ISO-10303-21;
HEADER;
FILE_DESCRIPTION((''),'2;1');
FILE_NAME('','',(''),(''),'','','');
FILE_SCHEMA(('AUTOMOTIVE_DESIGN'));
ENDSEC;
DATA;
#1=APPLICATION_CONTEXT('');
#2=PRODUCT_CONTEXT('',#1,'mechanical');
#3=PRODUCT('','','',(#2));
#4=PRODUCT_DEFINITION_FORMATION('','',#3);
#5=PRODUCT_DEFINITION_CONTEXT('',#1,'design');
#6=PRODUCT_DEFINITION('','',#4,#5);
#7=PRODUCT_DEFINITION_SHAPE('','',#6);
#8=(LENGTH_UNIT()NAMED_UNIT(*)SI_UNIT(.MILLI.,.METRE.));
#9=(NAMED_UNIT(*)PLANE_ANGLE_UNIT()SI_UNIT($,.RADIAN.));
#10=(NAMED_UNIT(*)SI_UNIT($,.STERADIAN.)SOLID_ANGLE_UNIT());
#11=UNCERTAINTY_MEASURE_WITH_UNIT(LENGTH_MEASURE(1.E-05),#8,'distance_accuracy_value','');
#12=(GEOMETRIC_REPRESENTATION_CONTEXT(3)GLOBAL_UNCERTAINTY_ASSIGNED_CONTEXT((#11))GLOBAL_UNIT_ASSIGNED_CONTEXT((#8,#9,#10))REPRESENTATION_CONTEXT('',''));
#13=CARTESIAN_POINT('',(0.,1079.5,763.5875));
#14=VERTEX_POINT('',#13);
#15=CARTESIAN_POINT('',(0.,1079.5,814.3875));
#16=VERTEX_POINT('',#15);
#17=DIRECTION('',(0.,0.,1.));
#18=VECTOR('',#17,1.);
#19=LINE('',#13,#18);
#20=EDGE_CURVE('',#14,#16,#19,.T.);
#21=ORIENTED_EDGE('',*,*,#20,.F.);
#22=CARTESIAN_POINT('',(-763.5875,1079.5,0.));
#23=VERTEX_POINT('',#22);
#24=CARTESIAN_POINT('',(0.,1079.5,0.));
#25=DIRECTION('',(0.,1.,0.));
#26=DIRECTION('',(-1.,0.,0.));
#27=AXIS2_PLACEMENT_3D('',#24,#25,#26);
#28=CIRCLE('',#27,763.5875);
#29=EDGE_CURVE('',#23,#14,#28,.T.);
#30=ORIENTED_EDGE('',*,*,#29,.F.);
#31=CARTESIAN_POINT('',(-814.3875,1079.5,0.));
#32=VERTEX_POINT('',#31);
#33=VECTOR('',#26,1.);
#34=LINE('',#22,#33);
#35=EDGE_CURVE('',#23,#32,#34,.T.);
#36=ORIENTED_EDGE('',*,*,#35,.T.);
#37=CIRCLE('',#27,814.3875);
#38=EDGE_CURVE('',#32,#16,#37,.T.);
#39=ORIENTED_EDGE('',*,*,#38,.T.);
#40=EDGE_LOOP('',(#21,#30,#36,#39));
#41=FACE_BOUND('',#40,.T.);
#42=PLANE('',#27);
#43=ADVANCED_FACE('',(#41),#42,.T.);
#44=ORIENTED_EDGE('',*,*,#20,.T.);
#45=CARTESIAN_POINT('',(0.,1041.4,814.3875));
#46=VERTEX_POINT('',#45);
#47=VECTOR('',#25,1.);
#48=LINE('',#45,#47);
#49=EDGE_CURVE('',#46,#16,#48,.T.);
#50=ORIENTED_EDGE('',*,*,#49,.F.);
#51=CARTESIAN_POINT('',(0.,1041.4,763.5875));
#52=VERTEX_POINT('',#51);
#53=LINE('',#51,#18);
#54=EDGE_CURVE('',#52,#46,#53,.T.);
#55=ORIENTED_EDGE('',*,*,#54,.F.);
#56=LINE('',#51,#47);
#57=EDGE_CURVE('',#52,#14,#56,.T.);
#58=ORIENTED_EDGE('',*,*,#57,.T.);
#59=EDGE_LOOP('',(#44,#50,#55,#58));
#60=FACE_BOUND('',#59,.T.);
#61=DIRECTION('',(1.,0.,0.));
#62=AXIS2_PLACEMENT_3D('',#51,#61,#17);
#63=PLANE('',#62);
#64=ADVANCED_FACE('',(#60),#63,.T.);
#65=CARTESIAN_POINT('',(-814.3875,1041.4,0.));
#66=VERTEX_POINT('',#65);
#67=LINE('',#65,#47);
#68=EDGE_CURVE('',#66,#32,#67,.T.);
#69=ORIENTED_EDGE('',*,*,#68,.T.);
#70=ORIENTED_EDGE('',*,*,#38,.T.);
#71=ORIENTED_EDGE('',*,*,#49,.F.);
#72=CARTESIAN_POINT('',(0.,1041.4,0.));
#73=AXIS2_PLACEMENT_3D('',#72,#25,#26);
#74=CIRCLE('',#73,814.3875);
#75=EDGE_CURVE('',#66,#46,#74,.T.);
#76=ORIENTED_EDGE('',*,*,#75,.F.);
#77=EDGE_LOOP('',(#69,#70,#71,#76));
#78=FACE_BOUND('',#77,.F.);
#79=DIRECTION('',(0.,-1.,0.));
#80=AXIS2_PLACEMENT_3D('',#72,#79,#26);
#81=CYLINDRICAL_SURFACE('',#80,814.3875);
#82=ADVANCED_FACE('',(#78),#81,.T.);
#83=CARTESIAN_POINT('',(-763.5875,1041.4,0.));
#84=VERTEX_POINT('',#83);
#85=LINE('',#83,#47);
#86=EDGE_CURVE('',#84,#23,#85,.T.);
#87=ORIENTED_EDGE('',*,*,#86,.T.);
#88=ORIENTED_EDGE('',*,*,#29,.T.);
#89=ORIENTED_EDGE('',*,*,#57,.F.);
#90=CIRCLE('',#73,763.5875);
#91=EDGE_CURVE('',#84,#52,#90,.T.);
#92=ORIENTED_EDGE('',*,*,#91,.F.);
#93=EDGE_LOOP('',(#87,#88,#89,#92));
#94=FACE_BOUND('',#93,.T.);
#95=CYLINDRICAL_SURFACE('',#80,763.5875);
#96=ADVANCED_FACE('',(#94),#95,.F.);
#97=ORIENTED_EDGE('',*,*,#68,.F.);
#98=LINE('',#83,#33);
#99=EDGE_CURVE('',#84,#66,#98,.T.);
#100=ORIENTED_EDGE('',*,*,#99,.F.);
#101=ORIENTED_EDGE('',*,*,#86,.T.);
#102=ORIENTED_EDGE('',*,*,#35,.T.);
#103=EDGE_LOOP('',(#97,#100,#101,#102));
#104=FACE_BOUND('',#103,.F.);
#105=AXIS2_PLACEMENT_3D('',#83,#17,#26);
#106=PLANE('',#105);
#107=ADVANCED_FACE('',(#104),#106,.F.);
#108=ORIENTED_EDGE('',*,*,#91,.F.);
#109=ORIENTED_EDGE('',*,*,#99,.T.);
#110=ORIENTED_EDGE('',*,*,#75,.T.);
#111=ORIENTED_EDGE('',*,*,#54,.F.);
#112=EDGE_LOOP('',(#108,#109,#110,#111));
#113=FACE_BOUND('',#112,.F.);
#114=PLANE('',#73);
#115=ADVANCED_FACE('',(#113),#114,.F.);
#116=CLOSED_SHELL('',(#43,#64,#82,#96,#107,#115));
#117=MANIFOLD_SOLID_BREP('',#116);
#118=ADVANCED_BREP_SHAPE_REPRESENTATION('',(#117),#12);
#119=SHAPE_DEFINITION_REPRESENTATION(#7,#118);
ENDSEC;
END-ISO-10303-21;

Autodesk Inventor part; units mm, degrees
ref_plane "YZ Plane" through (0, 0, 0) normal (1, 0, 0) x (0, 1, 0)
ref_plane "XY Plane" through (0, 0, 0) normal (0, 0, 1) x (1, 0, 0)
ref_plane "Work Plane2" through (0, 1041.4, 0) normal (0, 1, 0) x (-1, 0, 0)
sketch "Sketch2" plane through (0, 1041.4, 0) normal (0, 1, 0) x (-1, 0, 0)
  circle A0 centre (0, 0) radius 763.5875
  circle A1 centre (0, 0) radius 814.3875
  line L0 (0, 763.5875) -> (0, 814.3875)
  line L1 (763.5875, 0) -> (814.3875, 0)
  dimension "d6" = 1527.175
  dimension "d7" = 1628.775
extrude "Extrusion2" add sketch "Sketch2" along normal blind 38.1 contours A0 L0 A1 L1 picked at (797.1272, 13.32)
properties part number "LowerSemiCircle"
